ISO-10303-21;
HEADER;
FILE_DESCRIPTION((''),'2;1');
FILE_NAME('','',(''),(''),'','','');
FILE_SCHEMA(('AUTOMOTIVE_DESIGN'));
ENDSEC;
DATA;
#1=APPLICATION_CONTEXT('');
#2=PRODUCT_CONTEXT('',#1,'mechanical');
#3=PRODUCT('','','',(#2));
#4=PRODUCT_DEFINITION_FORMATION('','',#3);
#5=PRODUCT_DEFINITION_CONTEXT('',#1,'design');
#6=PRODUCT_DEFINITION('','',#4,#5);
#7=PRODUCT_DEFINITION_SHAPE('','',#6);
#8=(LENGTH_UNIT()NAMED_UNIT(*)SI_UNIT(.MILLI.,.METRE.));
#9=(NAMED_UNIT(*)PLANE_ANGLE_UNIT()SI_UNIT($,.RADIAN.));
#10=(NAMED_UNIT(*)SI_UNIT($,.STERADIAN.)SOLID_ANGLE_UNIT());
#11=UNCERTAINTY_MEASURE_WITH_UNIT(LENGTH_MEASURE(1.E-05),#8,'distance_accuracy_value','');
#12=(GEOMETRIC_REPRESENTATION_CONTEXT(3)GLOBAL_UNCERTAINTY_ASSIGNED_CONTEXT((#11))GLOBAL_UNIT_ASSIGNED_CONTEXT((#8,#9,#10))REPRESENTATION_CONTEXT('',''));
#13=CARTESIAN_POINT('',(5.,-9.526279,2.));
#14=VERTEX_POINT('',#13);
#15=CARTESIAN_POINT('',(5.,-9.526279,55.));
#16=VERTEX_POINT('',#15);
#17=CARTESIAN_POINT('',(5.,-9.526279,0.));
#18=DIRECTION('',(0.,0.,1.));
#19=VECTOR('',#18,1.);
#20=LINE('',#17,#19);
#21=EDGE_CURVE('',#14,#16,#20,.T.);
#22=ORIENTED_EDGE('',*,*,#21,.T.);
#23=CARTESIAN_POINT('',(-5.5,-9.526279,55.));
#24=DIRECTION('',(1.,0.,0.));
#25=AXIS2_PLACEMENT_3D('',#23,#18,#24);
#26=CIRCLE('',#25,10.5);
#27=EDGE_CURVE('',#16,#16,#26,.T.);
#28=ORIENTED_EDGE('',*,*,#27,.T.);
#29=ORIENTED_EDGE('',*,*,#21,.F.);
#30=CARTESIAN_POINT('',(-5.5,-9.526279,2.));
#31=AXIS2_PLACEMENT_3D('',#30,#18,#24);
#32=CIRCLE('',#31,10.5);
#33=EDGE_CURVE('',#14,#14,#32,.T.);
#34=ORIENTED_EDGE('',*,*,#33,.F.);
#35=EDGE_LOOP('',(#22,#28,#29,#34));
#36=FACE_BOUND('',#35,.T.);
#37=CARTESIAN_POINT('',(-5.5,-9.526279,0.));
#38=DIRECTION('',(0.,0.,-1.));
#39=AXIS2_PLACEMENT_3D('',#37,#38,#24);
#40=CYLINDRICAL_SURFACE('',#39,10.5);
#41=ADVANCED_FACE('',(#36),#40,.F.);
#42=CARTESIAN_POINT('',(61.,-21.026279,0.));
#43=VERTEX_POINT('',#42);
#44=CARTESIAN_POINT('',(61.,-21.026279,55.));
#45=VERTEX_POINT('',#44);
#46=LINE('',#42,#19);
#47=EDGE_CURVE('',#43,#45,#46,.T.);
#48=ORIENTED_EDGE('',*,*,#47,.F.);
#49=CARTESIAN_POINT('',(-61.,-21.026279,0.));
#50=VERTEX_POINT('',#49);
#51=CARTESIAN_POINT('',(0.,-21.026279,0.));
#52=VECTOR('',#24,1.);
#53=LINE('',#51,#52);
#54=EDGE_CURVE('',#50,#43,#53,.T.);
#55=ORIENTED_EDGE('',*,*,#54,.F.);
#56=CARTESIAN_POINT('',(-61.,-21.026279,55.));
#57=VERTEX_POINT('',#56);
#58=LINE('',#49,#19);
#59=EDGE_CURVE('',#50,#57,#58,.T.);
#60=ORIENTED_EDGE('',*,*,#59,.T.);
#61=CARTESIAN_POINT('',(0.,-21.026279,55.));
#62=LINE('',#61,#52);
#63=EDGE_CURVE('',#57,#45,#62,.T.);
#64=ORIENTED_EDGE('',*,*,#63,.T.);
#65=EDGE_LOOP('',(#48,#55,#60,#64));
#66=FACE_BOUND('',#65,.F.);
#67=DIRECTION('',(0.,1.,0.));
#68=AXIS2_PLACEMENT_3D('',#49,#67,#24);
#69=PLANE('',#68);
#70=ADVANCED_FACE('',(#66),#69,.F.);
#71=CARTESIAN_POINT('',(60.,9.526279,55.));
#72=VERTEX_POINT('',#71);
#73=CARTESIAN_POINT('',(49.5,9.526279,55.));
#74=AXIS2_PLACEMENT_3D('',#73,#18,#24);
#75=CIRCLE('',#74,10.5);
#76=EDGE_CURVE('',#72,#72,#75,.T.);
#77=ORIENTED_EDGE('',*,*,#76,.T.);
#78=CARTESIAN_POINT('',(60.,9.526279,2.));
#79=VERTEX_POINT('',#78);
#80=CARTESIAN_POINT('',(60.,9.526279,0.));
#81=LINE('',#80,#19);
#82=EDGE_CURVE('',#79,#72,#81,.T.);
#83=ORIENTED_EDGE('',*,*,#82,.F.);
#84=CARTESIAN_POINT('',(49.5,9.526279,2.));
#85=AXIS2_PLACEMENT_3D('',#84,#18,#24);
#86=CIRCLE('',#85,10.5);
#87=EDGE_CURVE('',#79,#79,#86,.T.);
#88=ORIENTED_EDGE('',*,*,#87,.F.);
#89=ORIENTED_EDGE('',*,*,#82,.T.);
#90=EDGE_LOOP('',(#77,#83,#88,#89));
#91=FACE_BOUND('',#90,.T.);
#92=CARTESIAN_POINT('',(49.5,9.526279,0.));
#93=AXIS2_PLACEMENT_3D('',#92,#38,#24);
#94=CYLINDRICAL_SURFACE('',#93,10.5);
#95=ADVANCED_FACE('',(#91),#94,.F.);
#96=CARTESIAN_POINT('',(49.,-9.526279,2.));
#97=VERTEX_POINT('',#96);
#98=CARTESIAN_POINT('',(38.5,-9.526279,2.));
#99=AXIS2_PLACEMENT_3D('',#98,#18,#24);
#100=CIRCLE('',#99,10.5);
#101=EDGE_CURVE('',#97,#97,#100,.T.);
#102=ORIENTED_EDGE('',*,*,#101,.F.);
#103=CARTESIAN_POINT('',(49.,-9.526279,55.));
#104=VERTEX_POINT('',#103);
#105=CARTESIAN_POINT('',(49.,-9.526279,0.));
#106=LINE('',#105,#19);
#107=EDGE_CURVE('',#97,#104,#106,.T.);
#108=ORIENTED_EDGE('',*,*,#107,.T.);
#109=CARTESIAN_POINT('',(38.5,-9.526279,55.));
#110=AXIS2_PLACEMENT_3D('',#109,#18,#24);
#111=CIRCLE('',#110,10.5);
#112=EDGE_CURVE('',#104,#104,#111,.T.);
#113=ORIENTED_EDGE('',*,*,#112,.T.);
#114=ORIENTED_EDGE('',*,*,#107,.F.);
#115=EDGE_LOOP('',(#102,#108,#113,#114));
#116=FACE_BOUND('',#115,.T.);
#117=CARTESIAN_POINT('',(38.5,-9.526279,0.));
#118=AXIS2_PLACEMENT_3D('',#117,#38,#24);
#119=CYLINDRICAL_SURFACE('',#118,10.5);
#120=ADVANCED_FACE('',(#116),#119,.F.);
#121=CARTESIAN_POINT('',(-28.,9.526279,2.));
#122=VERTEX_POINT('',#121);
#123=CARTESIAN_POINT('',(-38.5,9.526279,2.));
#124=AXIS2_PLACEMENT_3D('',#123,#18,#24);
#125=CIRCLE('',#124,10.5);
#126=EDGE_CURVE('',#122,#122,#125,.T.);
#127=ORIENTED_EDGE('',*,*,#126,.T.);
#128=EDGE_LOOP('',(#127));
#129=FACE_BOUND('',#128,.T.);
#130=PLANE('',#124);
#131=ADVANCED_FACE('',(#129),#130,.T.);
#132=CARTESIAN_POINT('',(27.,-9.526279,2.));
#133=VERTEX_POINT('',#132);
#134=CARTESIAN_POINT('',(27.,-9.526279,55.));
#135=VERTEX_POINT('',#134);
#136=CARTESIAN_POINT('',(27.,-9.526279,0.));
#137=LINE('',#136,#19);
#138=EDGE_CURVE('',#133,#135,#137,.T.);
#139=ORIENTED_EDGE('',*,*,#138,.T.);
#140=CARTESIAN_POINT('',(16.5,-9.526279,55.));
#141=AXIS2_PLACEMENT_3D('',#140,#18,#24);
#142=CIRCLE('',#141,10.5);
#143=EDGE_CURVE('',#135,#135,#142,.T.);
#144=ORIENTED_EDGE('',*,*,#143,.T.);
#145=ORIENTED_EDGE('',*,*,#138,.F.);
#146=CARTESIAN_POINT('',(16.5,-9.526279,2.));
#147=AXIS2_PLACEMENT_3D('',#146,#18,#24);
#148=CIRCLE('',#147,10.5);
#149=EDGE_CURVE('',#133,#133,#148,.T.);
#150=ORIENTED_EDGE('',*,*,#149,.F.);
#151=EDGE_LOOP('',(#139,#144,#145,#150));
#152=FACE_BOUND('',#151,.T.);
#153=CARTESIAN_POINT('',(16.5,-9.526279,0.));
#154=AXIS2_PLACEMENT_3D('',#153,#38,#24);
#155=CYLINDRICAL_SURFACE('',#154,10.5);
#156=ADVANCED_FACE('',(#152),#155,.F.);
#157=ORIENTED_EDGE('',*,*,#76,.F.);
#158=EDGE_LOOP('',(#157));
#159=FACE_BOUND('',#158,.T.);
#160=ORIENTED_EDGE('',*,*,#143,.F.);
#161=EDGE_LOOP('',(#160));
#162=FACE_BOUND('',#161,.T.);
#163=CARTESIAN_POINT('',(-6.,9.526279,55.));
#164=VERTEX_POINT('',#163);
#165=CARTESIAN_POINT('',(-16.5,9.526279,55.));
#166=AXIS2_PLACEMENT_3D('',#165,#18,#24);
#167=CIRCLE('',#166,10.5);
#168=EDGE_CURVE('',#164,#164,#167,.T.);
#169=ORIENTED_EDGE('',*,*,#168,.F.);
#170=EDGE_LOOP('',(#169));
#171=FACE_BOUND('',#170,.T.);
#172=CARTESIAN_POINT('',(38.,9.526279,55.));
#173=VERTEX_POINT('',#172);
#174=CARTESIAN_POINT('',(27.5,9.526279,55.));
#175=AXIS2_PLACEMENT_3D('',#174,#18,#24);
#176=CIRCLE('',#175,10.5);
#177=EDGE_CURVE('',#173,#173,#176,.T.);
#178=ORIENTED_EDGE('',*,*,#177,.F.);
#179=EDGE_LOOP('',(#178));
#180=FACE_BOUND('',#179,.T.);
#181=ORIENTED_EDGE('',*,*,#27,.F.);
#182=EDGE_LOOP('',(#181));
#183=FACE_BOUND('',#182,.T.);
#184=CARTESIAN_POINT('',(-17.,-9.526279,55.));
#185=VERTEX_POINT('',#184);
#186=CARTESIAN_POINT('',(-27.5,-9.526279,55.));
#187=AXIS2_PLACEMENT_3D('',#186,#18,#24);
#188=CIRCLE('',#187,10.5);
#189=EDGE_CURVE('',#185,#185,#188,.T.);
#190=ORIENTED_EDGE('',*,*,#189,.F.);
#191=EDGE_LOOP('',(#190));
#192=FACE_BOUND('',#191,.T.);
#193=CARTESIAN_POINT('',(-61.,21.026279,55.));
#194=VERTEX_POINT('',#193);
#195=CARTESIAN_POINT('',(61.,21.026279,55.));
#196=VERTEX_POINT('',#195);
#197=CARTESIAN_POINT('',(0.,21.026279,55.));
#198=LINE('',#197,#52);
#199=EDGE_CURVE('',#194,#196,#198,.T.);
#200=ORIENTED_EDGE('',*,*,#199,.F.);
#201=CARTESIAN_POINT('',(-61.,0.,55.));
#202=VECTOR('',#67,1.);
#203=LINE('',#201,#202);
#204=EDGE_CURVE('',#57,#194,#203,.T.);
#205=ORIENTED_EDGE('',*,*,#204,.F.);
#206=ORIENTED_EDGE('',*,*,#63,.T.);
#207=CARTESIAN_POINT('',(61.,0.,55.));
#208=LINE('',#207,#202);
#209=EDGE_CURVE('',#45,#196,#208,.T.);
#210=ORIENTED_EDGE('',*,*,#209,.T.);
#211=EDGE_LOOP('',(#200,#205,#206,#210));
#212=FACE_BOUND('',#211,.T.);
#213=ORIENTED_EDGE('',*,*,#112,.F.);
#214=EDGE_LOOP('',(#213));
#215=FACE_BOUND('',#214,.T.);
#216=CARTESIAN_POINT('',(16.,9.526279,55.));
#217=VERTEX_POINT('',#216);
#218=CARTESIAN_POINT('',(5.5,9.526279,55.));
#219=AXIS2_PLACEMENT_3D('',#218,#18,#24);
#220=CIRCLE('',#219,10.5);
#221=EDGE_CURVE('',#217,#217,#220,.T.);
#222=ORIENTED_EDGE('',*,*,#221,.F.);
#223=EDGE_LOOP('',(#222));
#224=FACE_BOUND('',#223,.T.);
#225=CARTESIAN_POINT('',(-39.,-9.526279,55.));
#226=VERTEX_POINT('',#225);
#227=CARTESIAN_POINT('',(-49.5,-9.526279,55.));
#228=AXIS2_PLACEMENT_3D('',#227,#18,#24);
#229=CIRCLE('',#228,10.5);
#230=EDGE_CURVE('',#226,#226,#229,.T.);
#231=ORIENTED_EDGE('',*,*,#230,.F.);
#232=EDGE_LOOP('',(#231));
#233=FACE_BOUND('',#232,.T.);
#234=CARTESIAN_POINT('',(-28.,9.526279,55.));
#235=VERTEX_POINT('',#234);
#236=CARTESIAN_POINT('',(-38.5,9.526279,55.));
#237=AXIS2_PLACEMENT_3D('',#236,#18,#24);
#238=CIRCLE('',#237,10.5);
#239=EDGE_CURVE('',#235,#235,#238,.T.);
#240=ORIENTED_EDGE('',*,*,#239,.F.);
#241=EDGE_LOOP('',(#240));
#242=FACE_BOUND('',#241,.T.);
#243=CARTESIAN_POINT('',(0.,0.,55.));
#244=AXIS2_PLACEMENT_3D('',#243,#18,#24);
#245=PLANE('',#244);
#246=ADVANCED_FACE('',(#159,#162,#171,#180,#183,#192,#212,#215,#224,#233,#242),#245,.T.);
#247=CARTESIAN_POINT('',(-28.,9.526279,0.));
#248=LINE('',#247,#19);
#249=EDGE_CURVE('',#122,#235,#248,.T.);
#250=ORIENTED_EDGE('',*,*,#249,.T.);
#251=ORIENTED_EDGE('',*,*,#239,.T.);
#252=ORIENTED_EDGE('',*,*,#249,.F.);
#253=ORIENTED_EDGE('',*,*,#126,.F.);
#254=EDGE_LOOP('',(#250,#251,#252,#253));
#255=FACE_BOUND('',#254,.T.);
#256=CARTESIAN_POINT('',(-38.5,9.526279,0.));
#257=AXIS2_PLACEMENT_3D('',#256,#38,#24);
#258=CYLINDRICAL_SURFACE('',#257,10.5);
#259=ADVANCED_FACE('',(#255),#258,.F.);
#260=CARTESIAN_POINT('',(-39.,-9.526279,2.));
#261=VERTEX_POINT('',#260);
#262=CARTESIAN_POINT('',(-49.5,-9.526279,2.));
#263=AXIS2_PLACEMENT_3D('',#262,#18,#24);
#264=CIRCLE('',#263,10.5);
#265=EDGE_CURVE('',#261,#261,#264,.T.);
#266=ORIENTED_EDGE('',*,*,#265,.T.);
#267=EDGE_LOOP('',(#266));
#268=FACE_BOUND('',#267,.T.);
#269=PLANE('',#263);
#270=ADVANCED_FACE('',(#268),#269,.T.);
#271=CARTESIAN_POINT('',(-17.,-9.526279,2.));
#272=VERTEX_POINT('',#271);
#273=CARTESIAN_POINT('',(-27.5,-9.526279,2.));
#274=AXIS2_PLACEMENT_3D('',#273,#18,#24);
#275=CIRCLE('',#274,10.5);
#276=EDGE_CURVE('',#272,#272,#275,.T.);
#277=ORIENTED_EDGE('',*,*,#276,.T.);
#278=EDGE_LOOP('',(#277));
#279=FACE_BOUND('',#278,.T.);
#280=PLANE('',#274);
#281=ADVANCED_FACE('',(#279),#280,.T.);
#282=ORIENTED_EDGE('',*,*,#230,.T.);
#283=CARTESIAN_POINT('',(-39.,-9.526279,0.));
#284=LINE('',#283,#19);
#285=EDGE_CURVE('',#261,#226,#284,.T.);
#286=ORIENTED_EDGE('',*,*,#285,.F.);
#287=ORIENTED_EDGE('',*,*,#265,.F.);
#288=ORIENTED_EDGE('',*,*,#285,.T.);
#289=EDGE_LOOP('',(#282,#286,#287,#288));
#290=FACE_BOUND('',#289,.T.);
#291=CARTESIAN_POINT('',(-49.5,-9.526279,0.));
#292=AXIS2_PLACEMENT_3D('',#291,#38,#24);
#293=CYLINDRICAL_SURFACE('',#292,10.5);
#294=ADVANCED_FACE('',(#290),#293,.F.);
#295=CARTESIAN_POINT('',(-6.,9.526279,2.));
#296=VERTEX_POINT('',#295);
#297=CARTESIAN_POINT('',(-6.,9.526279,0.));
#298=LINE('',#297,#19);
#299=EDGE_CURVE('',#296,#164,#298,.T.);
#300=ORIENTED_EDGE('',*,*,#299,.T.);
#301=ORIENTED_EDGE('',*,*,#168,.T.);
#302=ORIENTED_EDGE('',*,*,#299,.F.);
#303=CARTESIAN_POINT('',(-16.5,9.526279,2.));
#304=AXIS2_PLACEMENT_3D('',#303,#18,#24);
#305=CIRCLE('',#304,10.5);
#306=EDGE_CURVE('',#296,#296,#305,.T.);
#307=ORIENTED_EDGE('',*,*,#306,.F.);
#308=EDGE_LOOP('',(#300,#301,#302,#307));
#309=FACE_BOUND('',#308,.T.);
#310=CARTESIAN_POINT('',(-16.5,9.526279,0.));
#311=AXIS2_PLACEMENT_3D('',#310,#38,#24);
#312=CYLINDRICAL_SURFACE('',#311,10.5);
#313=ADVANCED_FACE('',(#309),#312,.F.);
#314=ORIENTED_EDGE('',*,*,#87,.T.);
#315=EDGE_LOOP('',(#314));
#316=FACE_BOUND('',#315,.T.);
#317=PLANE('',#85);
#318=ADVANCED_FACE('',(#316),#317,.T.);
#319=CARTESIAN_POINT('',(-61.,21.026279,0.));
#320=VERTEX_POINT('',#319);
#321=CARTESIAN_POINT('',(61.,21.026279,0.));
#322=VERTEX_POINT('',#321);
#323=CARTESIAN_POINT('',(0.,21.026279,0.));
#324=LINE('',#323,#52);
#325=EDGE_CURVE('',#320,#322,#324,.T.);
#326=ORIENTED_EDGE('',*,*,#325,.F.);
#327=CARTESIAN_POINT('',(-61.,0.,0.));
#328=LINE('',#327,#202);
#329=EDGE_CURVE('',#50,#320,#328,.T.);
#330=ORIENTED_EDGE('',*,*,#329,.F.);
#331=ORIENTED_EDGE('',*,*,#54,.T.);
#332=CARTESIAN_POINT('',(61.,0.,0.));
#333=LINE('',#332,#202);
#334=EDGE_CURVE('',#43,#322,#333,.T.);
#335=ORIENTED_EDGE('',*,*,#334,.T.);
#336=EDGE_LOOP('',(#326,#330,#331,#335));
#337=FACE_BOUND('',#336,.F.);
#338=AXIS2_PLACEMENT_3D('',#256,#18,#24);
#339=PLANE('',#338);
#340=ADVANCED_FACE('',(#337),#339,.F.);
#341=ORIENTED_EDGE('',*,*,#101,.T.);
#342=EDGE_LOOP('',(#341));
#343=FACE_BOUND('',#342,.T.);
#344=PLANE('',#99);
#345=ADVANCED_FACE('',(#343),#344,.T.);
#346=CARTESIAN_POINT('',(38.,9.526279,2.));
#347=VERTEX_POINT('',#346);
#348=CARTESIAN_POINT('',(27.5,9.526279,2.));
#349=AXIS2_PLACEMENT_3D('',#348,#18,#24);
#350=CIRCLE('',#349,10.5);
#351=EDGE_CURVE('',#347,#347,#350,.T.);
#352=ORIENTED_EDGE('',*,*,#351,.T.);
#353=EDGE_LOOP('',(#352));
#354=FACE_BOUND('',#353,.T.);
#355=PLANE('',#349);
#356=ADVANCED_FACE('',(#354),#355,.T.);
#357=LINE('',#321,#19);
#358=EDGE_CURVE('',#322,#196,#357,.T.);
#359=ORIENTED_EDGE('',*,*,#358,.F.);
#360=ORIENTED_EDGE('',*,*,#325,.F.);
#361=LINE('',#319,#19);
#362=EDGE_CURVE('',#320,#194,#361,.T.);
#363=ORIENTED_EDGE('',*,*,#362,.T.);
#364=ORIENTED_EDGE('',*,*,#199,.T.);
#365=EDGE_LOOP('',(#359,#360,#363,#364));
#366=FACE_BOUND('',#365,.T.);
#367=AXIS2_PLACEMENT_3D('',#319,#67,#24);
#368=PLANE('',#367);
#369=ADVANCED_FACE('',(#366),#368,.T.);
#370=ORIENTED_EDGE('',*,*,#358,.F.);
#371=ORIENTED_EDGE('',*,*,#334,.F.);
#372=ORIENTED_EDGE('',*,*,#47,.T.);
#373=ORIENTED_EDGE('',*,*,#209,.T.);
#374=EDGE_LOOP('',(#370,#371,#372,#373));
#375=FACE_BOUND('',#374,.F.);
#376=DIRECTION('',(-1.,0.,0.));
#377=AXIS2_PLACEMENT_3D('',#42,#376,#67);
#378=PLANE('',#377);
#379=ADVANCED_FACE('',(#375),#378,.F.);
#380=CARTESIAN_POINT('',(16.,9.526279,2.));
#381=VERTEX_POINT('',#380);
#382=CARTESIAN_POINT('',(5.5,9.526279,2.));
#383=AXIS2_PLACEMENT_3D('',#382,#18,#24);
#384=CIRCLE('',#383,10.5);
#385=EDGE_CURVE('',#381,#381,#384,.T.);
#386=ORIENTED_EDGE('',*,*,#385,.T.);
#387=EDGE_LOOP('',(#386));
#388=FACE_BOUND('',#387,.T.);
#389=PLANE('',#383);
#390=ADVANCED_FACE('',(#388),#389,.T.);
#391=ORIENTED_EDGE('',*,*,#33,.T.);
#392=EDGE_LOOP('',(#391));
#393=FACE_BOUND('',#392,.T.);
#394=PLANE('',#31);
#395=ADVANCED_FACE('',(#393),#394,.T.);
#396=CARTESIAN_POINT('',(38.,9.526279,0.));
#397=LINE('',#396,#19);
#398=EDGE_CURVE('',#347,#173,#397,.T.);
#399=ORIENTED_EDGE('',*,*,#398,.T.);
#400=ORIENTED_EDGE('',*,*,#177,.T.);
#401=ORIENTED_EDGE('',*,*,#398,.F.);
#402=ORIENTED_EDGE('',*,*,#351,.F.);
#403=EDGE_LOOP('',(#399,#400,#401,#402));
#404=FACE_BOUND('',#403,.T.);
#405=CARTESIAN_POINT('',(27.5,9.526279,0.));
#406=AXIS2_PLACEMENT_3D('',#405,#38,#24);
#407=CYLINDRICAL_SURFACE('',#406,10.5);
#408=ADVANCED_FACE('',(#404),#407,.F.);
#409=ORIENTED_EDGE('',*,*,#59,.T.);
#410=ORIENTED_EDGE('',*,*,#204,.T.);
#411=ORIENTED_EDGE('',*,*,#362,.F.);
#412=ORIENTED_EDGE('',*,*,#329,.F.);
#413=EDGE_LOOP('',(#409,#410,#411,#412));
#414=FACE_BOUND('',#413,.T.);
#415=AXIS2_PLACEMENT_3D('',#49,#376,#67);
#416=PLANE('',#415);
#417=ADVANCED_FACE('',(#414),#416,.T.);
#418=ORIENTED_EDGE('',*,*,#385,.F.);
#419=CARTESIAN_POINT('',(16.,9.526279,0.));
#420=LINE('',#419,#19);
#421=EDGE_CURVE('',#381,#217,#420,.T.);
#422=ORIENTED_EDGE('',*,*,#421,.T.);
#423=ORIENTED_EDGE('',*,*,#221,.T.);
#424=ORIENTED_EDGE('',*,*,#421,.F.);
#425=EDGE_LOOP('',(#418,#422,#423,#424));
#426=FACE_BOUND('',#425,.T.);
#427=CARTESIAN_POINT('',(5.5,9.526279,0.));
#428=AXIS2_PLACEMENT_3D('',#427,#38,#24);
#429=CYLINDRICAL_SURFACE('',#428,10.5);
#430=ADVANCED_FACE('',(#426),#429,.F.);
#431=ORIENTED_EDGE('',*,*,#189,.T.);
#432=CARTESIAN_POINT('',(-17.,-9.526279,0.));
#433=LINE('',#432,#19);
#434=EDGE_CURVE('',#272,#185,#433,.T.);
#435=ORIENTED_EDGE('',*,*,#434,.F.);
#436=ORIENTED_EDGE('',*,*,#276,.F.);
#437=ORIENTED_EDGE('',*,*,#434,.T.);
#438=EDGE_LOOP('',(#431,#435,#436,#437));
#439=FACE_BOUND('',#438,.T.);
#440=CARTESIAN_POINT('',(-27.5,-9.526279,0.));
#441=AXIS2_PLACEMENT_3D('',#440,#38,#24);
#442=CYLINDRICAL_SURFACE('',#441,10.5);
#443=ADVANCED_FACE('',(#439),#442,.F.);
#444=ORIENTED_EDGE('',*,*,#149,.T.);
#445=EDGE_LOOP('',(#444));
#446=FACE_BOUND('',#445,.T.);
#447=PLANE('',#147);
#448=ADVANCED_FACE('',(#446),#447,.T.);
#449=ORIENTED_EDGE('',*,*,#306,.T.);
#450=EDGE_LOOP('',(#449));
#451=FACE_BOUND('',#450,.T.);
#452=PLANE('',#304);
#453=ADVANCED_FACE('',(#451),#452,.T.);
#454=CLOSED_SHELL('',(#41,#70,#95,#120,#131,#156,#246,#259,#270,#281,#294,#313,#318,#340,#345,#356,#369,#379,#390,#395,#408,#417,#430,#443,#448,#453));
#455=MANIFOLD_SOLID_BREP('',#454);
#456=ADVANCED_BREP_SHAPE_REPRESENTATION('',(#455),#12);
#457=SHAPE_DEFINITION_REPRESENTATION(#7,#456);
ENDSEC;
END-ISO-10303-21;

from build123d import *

# Parameters (mm, degrees)
F0_W     = 122
F0_H     = 42.052558
F0_R     = 10.5
F1_DEPTH = 55
F2_DEPTH = 2


with BuildPart() as f1:
    # F0 (on Top) → F1 (new body)
    with BuildSketch(Plane.XY):
        Rectangle(F0_W, F0_H)
        with Locations((-49.5, -9.526279)):
            Circle(F0_R, mode=Mode.SUBTRACT)
        with Locations((-27.5, -9.526279)):
            Circle(F0_R, mode=Mode.SUBTRACT)
        with Locations((-5.5, -9.526279)):
            Circle(F0_R, mode=Mode.SUBTRACT)
        with Locations((16.5, -9.526279)):
            Circle(F0_R, mode=Mode.SUBTRACT)
        with Locations((38.5, -9.526279)):
            Circle(F0_R, mode=Mode.SUBTRACT)
        with Locations((-38.5, 9.526279)):
            Circle(F0_R, mode=Mode.SUBTRACT)
        with Locations((-16.5, 9.526279)):
            Circle(F0_R, mode=Mode.SUBTRACT)
        with Locations((5.5, 9.526279)):
            Circle(F0_R, mode=Mode.SUBTRACT)
        with Locations((27.5, 9.526279)):
            Circle(F0_R, mode=Mode.SUBTRACT)
        with Locations((49.5, 9.526279)):
            Circle(F0_R, mode=Mode.SUBTRACT)
    extrude(amount=F1_DEPTH)

    # F0 (on Top) → F2 (join)
    with BuildSketch(Plane.XY):
        with Locations((-38.5, 9.526279)):
            Circle(F0_R)
        with Locations((-49.5, -9.526279)):
            Circle(F0_R)
        with Locations((-27.5, -9.526279)):
            Circle(F0_R)
        with Locations((-16.5, 9.526279)):
            Circle(F0_R)
        with Locations((-5.5, -9.526279)):
            Circle(F0_R)
        with Locations((5.5, 9.526279)):
            Circle(F0_R)
        with Locations((16.5, -9.526279)):
            Circle(F0_R)
        with Locations((27.5, 9.526279)):
            Circle(F0_R)
        with Locations((38.5, -9.526279)):
            Circle(F0_R)
        with Locations((49.5, 9.526279)):
            Circle(F0_R)
    extrude(amount=F2_DEPTH)


solid = f1.part
